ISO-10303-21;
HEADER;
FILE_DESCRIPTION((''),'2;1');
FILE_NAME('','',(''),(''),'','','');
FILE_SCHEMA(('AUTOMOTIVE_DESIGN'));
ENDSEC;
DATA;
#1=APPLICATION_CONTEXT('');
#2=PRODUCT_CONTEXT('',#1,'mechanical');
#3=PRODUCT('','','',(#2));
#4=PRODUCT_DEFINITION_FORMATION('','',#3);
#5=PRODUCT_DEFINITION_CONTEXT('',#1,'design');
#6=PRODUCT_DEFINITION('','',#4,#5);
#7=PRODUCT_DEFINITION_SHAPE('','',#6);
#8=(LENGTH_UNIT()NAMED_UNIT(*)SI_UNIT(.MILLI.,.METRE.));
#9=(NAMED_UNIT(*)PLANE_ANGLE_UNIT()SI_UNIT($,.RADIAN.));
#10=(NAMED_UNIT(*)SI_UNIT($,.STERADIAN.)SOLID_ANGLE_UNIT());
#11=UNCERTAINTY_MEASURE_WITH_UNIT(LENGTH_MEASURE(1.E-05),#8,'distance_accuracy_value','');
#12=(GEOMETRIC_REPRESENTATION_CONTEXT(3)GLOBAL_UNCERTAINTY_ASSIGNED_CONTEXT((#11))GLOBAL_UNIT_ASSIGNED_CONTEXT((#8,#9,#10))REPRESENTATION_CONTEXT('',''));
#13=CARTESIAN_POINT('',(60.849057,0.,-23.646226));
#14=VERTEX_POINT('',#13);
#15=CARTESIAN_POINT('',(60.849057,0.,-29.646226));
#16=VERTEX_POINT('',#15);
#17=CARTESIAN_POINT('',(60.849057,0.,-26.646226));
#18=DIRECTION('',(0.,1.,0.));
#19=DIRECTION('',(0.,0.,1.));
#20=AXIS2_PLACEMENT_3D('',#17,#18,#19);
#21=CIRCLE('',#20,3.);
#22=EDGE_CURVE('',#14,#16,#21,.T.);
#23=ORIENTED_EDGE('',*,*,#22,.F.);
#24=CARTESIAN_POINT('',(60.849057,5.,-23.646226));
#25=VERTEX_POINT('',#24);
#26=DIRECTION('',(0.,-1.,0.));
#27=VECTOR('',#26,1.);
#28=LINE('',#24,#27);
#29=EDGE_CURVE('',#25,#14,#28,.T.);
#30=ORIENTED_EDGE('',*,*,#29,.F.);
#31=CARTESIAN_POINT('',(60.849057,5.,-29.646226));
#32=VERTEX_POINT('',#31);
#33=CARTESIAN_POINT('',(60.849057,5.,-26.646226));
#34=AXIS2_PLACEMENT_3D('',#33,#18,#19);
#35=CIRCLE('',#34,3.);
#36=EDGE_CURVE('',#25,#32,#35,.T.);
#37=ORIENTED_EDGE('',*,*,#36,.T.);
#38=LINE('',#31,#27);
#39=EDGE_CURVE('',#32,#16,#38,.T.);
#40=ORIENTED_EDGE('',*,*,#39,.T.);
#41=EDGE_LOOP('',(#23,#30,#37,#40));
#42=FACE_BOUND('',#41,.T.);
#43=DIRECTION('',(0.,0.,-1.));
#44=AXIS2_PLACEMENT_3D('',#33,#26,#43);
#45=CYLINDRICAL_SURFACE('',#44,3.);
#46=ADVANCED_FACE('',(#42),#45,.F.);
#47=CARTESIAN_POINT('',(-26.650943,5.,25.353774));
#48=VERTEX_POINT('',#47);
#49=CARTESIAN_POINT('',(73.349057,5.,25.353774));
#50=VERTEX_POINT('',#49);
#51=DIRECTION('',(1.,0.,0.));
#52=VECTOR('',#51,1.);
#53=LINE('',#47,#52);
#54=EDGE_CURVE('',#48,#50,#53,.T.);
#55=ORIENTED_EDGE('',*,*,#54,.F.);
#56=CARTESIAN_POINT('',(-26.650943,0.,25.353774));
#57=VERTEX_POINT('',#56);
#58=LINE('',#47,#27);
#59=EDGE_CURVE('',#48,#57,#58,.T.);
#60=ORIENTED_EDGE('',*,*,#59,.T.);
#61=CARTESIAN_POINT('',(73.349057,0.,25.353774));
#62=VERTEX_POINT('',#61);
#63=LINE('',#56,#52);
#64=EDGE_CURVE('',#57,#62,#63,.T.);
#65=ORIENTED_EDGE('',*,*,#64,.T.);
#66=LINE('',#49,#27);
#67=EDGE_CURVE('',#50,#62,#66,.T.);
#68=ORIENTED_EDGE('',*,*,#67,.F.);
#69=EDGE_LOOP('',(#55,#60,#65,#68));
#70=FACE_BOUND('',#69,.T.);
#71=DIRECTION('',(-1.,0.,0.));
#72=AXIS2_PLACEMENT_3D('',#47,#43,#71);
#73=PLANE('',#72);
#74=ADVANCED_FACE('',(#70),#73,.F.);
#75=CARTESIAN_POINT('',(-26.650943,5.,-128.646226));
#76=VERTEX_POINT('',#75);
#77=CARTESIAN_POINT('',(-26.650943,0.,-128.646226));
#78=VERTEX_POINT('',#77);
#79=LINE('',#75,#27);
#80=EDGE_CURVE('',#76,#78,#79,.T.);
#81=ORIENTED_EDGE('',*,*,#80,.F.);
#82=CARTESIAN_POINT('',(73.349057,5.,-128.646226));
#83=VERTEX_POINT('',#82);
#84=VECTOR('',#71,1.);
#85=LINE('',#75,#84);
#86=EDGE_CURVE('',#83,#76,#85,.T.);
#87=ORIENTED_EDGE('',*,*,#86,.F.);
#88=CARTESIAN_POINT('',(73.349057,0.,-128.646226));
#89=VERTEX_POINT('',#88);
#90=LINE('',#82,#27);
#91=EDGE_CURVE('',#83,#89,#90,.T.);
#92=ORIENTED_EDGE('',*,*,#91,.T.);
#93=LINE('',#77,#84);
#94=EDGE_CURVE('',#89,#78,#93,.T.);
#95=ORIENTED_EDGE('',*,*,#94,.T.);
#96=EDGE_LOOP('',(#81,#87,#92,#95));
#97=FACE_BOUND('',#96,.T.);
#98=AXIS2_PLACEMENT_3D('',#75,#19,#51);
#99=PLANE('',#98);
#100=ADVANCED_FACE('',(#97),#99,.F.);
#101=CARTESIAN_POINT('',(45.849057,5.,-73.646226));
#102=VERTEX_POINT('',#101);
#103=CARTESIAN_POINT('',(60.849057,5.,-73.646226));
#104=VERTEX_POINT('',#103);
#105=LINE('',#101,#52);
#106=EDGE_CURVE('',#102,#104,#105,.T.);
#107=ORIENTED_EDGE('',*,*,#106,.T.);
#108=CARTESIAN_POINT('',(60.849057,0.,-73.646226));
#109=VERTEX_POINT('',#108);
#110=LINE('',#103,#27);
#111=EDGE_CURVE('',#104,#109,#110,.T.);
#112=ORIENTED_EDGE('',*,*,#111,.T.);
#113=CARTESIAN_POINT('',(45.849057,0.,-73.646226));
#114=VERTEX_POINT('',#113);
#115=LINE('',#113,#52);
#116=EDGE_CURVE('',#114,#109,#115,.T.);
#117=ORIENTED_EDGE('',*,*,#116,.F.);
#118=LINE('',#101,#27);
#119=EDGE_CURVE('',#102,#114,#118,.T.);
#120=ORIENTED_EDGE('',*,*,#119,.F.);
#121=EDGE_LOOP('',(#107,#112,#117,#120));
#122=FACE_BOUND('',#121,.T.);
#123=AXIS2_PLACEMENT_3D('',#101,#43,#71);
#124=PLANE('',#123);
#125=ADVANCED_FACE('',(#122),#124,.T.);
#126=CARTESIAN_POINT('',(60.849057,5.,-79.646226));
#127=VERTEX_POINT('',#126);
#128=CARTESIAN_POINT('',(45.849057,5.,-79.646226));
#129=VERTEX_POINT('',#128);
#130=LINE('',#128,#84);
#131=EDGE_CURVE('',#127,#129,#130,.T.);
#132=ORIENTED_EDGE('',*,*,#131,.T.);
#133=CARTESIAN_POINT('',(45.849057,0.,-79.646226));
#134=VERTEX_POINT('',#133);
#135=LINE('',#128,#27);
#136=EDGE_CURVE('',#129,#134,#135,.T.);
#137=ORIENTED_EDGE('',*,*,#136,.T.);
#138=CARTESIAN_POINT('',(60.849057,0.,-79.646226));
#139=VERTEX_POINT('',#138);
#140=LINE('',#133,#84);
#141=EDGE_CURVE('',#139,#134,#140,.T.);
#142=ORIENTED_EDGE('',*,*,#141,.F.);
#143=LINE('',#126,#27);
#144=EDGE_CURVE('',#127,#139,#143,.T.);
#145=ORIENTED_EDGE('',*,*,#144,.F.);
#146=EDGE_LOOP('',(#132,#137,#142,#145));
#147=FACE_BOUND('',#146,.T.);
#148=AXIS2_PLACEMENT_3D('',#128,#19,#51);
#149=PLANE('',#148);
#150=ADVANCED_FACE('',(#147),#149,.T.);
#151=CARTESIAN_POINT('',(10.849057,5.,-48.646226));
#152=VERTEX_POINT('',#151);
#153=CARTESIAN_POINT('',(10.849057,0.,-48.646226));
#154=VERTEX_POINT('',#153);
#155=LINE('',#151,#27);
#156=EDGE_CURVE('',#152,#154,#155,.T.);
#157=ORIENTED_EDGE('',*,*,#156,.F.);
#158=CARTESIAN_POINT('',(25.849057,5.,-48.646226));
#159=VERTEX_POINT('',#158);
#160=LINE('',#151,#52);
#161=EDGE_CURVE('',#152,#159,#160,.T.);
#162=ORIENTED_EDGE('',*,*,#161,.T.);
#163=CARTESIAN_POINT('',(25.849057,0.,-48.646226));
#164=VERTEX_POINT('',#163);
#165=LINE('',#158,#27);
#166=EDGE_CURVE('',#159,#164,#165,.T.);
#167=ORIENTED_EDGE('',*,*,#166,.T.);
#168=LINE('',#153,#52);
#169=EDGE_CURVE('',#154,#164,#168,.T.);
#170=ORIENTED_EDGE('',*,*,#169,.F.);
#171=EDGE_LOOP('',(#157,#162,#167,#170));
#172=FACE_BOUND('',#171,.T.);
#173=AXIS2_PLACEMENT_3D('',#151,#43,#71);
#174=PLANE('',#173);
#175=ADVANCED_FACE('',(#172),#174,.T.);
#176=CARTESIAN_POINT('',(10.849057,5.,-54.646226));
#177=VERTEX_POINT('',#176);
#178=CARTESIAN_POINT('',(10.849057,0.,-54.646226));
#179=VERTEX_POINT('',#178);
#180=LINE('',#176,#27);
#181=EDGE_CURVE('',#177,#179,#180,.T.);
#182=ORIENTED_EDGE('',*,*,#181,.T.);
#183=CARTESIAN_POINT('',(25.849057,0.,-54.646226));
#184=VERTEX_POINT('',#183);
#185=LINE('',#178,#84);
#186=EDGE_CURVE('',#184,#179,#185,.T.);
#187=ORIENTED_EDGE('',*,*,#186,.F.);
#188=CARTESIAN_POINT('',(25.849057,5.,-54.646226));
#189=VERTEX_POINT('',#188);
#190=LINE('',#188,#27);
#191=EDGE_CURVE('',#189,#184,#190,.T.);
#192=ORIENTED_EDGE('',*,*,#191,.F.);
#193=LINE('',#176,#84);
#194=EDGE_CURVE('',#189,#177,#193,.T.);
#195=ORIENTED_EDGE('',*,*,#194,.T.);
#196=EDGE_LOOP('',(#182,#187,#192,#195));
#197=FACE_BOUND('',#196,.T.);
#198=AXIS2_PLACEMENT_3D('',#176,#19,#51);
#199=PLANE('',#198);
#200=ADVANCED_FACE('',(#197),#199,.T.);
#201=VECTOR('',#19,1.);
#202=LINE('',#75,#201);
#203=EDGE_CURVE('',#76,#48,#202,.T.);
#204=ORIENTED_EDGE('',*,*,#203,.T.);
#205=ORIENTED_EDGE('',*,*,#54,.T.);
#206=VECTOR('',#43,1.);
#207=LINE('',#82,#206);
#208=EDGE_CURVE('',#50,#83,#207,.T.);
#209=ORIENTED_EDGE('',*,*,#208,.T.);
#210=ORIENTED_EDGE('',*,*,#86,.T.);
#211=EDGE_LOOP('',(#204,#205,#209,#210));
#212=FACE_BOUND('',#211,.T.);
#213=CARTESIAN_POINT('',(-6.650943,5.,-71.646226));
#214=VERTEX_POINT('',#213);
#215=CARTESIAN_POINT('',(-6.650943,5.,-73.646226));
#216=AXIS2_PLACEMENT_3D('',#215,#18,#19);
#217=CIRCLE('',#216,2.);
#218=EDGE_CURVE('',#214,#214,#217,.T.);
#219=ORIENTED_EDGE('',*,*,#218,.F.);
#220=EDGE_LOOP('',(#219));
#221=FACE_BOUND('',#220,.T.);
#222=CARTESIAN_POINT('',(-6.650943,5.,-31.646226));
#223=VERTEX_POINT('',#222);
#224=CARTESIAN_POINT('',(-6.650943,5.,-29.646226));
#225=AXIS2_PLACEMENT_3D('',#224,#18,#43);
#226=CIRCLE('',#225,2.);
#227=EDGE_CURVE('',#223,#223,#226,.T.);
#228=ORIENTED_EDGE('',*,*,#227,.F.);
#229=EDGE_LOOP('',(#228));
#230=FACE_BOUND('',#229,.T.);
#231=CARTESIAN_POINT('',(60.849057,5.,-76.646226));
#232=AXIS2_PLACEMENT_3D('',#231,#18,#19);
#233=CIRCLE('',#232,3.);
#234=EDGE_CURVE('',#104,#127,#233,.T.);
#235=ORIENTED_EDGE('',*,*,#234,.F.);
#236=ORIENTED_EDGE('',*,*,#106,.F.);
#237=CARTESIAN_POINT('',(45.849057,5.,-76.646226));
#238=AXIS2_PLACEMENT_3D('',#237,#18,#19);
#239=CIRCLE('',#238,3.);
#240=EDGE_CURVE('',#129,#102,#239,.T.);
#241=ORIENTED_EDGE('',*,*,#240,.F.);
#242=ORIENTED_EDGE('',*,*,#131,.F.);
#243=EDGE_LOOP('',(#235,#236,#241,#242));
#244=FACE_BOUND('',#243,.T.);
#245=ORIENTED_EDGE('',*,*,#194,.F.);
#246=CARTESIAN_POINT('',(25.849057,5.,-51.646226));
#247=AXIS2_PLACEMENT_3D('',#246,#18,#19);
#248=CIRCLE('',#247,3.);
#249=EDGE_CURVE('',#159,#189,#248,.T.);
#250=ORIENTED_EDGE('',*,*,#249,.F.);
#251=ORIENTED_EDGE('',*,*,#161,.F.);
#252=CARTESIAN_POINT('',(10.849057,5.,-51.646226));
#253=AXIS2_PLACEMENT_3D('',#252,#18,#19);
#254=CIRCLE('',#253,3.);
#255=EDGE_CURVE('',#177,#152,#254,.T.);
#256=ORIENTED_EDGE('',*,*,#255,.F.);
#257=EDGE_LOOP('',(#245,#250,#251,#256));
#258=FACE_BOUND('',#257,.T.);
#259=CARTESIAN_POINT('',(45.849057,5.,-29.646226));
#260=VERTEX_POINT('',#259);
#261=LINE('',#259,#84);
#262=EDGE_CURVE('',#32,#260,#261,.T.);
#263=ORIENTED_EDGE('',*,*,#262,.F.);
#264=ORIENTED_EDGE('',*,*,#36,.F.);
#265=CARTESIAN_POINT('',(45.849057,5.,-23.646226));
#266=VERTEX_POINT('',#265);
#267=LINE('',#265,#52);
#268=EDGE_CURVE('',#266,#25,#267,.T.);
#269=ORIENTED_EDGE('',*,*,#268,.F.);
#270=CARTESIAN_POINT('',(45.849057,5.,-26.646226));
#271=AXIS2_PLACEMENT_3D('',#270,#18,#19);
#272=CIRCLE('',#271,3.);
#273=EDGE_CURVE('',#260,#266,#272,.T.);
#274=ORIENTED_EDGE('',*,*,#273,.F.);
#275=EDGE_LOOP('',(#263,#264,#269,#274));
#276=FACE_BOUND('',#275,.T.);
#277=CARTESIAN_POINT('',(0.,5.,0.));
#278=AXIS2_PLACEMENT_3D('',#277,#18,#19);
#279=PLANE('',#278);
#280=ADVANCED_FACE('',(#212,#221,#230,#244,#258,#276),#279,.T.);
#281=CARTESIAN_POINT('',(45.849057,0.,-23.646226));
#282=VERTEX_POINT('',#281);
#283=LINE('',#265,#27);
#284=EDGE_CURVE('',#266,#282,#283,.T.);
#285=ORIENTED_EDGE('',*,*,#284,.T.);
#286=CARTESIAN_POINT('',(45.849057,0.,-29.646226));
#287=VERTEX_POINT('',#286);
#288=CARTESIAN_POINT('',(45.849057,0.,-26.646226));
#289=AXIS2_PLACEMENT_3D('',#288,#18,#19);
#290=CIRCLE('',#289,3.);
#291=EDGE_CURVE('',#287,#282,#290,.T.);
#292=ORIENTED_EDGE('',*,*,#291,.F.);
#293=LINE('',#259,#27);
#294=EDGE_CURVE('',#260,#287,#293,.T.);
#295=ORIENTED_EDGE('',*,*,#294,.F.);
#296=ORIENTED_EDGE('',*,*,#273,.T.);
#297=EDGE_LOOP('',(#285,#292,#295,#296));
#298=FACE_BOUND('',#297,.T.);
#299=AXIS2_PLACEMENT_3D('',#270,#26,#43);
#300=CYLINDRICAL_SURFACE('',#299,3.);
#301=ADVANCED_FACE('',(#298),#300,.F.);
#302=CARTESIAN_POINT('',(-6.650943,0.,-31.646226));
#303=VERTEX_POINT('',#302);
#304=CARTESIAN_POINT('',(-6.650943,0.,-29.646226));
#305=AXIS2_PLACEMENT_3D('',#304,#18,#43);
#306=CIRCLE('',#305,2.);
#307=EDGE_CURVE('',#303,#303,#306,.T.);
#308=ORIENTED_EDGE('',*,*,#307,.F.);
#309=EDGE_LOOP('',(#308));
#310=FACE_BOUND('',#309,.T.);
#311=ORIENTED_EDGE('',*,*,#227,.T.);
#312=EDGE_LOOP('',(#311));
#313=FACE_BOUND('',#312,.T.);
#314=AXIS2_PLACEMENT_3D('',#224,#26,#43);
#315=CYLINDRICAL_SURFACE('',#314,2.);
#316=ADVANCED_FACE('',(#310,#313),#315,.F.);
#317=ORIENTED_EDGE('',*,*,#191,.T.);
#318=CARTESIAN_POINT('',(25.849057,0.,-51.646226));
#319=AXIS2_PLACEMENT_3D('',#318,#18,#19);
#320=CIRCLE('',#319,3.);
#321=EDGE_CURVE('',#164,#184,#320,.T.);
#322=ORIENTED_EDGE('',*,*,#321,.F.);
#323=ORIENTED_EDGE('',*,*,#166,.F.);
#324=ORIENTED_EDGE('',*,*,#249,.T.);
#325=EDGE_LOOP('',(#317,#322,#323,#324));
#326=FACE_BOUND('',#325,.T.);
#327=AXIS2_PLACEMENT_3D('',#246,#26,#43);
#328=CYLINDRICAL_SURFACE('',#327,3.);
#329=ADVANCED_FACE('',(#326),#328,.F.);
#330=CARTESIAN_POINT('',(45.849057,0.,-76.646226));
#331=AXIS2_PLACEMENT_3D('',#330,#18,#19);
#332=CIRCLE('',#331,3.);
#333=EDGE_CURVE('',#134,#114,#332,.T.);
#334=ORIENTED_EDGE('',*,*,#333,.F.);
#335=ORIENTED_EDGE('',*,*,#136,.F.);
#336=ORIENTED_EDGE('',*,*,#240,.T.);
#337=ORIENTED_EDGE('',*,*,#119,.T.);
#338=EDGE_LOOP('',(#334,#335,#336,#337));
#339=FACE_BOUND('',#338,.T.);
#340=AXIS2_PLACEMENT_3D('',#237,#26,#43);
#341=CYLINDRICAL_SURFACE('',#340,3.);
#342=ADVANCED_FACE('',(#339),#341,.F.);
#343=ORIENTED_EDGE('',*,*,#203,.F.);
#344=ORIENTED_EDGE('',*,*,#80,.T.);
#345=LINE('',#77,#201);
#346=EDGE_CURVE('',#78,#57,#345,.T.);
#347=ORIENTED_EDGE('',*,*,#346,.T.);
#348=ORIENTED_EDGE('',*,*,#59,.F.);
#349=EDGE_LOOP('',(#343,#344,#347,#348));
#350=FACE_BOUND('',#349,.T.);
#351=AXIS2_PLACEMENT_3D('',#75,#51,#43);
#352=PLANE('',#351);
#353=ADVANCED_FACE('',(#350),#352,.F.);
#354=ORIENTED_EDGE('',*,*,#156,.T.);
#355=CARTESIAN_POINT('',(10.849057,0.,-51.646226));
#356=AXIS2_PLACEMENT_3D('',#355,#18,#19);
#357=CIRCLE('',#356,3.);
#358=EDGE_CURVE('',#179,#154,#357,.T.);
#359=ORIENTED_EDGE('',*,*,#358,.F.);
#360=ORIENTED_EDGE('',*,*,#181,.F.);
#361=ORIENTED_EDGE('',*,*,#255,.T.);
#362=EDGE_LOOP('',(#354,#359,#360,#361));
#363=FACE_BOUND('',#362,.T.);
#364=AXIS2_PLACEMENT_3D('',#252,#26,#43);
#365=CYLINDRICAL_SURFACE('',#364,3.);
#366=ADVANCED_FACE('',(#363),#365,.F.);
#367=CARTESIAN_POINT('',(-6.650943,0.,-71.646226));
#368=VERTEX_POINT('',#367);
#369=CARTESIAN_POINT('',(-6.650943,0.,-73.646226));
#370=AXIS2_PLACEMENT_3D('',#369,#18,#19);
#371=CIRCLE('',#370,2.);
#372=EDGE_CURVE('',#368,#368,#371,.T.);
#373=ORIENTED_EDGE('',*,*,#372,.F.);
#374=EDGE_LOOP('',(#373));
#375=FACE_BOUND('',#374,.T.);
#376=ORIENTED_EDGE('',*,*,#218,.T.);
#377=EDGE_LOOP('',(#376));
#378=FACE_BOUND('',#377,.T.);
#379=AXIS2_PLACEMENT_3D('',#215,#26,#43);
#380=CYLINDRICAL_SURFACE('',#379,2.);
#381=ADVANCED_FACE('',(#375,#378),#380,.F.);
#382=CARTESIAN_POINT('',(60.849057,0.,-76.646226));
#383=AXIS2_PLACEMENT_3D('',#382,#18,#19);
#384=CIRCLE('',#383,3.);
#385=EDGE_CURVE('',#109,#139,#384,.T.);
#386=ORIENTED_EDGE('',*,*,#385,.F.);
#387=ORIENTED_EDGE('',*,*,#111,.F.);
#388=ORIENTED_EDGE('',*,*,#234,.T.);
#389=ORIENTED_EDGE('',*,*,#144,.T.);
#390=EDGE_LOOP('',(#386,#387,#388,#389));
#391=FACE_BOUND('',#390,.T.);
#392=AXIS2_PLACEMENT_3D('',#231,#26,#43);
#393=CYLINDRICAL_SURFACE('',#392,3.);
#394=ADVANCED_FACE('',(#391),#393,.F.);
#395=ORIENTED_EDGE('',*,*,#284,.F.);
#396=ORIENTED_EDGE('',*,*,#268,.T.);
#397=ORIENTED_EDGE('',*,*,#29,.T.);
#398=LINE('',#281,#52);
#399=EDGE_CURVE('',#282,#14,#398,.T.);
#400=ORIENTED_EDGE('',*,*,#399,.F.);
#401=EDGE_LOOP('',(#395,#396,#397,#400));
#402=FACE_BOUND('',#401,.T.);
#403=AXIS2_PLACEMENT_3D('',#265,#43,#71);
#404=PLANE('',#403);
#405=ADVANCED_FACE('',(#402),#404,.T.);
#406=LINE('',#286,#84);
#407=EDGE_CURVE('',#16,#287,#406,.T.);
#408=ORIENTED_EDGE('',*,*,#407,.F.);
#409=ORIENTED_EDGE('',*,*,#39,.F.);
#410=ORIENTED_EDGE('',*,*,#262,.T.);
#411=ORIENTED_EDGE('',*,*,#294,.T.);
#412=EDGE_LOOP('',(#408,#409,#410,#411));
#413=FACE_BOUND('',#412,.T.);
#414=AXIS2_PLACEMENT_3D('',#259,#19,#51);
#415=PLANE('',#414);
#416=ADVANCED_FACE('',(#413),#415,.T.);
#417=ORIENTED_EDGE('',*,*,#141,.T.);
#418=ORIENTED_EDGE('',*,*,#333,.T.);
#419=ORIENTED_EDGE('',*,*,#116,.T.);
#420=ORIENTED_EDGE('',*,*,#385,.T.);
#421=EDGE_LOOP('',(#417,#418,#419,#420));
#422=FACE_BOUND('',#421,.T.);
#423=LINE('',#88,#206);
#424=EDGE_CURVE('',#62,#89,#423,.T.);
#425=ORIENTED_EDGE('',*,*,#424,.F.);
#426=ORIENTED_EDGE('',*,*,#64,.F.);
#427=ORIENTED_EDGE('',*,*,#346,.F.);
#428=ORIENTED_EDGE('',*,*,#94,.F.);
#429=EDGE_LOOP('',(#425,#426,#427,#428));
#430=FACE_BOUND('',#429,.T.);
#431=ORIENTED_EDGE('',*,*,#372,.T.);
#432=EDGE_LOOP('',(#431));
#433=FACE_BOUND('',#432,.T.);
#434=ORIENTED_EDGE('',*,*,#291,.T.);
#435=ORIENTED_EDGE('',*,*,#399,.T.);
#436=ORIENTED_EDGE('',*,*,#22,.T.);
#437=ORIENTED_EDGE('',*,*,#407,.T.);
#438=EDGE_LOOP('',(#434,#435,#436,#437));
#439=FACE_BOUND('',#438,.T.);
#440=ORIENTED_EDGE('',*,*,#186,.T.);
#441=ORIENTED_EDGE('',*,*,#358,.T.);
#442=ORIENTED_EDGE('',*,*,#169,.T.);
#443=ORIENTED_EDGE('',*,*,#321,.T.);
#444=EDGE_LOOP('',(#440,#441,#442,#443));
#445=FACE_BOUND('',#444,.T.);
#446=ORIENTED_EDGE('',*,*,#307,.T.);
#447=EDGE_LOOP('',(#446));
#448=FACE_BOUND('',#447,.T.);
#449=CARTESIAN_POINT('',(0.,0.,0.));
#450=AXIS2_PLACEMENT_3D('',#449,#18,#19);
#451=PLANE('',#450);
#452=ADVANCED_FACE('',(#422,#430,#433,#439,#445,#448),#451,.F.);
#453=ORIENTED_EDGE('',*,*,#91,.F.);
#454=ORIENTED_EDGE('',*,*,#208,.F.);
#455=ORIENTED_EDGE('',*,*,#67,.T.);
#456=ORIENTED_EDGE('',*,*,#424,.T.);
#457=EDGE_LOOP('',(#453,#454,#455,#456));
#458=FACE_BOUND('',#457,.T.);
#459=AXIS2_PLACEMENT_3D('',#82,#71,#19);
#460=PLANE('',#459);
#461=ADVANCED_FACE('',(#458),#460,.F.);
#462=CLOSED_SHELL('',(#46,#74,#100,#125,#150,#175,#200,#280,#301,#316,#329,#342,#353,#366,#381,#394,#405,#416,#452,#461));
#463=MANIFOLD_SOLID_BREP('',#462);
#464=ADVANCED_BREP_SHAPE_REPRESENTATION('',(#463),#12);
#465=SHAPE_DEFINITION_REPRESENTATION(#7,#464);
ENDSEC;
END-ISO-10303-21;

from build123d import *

# Parameters (mm, degrees)
SKETCH1_W           = 100
SKETCH1_H           = 154
SKETCH1_R           = 2
BOSS_EXTRUDE1_DEPTH = 5


with BuildPart() as part:
    # Sketch1 → Boss-Extrude1 (new body)
    with BuildSketch(Plane(origin=(0, 0, 0), x_dir=(1, 0, 0), z_dir=(0, 1, 0))):
        with Locations((23.349056604, 51.646226415)):
            Rectangle(SKETCH1_W, SKETCH1_H)
        with Locations(Location((-6.650943396, 73.646226415, 0), (0, 0, 270))):
            Circle(SKETCH1_R, mode=Mode.SUBTRACT)
        with Locations(Location((-6.650943396, 29.646226415, 0), (0, 0, 90))):
            Circle(SKETCH1_R, mode=Mode.SUBTRACT)
        with BuildLine():
            Line((45.849056604, 79.646226415), (60.849056604, 79.646226415))
            ThreePointArc((60.849056604, 79.646226415), (63.849056604, 76.646226415), (60.849056604, 73.646226415))
            Line((60.849056604, 73.646226415), (45.849056604, 73.646226415))
            ThreePointArc((45.849056604, 73.646226415), (42.849056604, 76.646226415), (45.849056604, 79.646226415))
        make_face(mode=Mode.SUBTRACT)
        with BuildLine():
            Line((10.849056604, 54.646226415), (25.849056604, 54.646226415))
            ThreePointArc((25.849056604, 54.646226415), (28.849056604, 51.646226415), (25.849056604, 48.646226415))
            Line((25.849056604, 48.646226415), (10.849056604, 48.646226415))
            ThreePointArc((10.849056604, 48.646226415), (7.849056604, 51.646226415), (10.849056604, 54.646226415))
        make_face(mode=Mode.SUBTRACT)
        with BuildLine():
            Line((45.849056604, 29.646226415), (60.849056604, 29.646226415))
            ThreePointArc((60.849056604, 29.646226415), (63.849056604, 26.646226415), (60.849056604, 23.646226415))
            Line((60.849056604, 23.646226415), (45.849056604, 23.646226415))
            ThreePointArc((45.849056604, 23.646226415), (42.849056604, 26.646226415), (45.849056604, 29.646226415))
        make_face(mode=Mode.SUBTRACT)
    extrude(amount=BOSS_EXTRUDE1_DEPTH)


solid = part.part
